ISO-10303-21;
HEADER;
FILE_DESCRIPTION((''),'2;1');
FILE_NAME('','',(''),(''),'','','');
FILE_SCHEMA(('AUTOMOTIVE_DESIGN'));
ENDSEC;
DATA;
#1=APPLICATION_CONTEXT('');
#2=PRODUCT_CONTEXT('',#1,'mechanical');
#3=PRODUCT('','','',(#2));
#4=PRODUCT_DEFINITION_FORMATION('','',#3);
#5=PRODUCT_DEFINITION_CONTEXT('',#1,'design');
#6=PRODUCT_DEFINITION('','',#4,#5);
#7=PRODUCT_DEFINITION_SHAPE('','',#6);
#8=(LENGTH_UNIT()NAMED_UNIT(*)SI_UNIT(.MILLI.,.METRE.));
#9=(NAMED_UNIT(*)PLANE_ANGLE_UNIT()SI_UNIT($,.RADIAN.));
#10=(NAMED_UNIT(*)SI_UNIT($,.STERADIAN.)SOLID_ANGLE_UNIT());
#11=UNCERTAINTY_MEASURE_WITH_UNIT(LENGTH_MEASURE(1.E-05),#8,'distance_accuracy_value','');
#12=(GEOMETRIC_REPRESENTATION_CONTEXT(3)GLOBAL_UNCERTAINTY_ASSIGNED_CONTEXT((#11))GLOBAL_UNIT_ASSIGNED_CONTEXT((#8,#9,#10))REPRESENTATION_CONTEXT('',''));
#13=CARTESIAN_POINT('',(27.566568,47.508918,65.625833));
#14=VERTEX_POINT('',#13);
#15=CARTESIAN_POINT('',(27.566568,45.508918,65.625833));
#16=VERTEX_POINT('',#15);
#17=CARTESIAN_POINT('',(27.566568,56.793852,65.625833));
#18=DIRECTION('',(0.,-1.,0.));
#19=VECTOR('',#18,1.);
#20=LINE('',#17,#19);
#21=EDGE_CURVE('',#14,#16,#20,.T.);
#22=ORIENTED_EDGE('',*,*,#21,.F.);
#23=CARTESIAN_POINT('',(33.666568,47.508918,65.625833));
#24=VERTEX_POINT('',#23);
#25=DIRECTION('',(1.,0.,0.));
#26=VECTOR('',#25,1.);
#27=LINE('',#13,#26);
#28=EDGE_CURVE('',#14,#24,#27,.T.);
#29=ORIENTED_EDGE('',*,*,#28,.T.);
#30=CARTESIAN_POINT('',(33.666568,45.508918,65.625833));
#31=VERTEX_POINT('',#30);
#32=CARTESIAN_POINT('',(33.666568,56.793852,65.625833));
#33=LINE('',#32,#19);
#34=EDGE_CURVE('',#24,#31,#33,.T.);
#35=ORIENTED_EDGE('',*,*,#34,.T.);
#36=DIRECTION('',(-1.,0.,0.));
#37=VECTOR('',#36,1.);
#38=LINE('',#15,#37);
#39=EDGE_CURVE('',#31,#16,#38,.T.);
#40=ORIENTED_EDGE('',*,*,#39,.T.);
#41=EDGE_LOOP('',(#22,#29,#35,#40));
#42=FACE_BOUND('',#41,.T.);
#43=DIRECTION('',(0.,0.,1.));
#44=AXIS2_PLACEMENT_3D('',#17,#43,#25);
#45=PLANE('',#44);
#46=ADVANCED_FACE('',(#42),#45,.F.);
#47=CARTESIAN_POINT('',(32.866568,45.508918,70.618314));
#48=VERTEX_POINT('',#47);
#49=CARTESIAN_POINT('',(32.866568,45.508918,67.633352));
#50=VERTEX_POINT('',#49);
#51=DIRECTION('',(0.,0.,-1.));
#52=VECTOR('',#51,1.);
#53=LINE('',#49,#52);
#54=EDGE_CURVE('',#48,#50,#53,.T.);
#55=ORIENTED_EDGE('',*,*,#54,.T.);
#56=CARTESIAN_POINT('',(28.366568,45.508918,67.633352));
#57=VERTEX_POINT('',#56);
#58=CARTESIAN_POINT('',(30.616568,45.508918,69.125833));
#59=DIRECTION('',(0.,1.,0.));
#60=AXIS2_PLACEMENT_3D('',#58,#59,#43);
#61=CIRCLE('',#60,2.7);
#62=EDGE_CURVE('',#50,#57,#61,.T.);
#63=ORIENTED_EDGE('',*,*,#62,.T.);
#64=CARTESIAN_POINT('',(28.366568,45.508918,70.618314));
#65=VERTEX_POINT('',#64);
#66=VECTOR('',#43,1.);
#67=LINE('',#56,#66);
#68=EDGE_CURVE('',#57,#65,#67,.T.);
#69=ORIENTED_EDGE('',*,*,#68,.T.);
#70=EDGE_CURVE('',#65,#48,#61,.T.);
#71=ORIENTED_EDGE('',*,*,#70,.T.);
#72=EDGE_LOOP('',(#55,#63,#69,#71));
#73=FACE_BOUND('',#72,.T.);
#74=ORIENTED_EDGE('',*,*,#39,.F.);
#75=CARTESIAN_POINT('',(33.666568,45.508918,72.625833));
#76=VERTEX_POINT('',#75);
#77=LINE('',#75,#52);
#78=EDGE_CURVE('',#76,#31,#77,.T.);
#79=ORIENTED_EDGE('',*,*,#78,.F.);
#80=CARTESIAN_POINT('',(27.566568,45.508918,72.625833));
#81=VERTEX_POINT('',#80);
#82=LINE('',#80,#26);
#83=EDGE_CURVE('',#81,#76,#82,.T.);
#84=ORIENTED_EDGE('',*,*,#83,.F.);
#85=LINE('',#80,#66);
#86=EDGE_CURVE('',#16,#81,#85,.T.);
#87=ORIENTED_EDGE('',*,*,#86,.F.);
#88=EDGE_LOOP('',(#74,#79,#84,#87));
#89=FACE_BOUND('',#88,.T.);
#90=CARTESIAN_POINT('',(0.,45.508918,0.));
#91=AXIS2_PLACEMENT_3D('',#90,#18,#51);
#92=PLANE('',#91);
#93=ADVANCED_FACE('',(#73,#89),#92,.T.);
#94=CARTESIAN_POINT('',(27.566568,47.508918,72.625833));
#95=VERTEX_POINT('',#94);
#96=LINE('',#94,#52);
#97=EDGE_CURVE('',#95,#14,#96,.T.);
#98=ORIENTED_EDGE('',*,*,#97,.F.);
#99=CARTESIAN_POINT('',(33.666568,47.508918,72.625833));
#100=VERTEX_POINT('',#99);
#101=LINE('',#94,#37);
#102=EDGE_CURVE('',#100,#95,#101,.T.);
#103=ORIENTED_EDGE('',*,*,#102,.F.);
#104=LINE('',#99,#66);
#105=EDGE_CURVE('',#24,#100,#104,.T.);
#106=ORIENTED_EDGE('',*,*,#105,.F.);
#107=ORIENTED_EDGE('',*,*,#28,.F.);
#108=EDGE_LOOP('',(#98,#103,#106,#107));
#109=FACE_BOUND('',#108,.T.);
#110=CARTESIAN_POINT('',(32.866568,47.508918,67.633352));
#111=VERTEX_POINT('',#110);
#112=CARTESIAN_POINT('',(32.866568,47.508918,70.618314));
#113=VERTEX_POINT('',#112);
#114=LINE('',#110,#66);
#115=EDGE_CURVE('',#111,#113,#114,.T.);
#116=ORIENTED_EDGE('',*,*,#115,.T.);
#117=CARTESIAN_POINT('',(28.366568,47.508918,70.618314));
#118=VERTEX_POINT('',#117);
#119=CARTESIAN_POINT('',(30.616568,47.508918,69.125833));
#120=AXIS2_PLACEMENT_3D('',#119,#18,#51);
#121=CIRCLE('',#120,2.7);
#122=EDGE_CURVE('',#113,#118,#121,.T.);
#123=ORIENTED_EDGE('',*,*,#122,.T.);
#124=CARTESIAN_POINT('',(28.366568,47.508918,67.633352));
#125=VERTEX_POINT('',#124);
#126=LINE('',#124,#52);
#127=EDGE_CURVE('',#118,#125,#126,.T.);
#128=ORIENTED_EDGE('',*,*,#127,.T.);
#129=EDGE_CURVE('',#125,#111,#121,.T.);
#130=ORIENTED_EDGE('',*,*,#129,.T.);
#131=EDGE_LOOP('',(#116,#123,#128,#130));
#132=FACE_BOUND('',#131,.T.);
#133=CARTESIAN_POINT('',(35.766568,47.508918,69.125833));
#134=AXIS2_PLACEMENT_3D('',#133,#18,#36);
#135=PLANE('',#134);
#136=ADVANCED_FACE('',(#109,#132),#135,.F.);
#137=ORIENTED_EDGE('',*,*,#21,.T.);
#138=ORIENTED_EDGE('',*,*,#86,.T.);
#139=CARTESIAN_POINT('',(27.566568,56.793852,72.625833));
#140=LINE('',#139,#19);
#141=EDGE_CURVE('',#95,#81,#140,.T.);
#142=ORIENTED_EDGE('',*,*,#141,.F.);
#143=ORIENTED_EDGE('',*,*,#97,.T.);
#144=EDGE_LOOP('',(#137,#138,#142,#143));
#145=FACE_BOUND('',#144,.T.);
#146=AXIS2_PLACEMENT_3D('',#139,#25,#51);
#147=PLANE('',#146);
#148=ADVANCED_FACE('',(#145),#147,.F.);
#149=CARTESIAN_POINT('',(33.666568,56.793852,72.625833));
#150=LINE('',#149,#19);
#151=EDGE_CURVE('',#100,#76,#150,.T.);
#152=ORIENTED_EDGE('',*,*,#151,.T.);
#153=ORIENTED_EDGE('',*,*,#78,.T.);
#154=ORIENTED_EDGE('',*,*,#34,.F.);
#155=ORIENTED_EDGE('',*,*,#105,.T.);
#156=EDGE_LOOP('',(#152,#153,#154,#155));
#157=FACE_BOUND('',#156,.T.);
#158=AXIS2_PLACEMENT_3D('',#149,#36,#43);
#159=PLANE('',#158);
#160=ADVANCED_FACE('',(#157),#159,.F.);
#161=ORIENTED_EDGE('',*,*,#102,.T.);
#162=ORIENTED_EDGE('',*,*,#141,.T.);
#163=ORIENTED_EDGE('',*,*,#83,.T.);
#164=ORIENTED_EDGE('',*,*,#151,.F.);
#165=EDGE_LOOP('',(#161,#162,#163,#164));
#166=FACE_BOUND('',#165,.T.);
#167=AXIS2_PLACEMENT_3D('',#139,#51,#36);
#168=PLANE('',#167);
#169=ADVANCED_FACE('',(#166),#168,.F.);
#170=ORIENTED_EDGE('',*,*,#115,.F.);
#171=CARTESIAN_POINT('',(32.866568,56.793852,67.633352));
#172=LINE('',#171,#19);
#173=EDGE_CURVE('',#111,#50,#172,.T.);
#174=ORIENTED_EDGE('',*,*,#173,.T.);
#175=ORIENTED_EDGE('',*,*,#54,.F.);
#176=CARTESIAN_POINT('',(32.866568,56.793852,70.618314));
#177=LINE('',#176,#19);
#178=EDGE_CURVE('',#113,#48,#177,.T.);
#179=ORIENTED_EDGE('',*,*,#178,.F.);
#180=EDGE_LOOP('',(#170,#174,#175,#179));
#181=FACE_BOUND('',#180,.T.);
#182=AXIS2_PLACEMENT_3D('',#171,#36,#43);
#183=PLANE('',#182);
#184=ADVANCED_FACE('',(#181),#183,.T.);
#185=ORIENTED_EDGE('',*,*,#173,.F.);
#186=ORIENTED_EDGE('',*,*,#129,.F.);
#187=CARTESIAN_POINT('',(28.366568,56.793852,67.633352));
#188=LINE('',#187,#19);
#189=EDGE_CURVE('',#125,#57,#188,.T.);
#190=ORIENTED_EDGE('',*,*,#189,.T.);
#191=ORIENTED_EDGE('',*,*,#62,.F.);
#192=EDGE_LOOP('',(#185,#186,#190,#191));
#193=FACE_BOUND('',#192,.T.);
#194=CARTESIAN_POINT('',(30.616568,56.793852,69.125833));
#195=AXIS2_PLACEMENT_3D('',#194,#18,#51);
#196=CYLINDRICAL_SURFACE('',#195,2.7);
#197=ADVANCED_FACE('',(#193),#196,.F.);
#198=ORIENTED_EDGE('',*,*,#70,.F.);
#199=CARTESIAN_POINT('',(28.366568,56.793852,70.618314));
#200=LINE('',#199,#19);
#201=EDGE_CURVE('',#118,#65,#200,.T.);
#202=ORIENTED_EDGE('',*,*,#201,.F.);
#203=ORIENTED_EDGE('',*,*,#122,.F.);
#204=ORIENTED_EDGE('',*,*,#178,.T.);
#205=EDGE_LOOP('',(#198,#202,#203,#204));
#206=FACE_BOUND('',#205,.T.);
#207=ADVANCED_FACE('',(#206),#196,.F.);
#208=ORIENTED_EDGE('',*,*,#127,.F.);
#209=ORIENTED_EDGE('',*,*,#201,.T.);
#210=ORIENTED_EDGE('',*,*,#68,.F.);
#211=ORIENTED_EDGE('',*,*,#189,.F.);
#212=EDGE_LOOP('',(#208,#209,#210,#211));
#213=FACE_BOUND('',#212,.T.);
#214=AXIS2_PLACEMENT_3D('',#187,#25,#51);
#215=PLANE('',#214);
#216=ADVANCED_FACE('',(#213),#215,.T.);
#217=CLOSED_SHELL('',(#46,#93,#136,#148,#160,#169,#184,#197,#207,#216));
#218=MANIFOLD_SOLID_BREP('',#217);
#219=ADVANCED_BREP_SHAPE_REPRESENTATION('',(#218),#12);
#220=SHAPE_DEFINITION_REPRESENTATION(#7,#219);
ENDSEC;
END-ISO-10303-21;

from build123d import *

# Parameters (mm, degrees)
SKETCH1_W           = 6.1
SKETCH1_H           = 7
BOSS_EXTRUDE1_DEPTH = 2


with BuildPart() as part:
    # Sketch1 → Boss-Extrude1 (new body)
    with BuildSketch(Plane(origin=(0, 45.508917933, 0), x_dir=(1, 0, 0), z_dir=(0, 1, 0))):
        with Locations((30.616567665, -69.125832733)):
            Rectangle(SKETCH1_W, SKETCH1_H)
        with BuildLine():
            Line((32.866567665, -67.633351578), (32.866567665, -70.618313889))
            ThreePointArc((32.866567665, -70.618313889), (30.616567665, -71.825832733), (28.366567665, -70.618313889))
            Line((28.366567665, -70.618313889), (28.366567665, -67.633351578))
            ThreePointArc((28.366567665, -67.633351578), (30.616567665, -66.425832733), (32.866567665, -67.633351578))
        make_face(mode=Mode.SUBTRACT)
    extrude(amount=BOSS_EXTRUDE1_DEPTH)


solid = part.part
